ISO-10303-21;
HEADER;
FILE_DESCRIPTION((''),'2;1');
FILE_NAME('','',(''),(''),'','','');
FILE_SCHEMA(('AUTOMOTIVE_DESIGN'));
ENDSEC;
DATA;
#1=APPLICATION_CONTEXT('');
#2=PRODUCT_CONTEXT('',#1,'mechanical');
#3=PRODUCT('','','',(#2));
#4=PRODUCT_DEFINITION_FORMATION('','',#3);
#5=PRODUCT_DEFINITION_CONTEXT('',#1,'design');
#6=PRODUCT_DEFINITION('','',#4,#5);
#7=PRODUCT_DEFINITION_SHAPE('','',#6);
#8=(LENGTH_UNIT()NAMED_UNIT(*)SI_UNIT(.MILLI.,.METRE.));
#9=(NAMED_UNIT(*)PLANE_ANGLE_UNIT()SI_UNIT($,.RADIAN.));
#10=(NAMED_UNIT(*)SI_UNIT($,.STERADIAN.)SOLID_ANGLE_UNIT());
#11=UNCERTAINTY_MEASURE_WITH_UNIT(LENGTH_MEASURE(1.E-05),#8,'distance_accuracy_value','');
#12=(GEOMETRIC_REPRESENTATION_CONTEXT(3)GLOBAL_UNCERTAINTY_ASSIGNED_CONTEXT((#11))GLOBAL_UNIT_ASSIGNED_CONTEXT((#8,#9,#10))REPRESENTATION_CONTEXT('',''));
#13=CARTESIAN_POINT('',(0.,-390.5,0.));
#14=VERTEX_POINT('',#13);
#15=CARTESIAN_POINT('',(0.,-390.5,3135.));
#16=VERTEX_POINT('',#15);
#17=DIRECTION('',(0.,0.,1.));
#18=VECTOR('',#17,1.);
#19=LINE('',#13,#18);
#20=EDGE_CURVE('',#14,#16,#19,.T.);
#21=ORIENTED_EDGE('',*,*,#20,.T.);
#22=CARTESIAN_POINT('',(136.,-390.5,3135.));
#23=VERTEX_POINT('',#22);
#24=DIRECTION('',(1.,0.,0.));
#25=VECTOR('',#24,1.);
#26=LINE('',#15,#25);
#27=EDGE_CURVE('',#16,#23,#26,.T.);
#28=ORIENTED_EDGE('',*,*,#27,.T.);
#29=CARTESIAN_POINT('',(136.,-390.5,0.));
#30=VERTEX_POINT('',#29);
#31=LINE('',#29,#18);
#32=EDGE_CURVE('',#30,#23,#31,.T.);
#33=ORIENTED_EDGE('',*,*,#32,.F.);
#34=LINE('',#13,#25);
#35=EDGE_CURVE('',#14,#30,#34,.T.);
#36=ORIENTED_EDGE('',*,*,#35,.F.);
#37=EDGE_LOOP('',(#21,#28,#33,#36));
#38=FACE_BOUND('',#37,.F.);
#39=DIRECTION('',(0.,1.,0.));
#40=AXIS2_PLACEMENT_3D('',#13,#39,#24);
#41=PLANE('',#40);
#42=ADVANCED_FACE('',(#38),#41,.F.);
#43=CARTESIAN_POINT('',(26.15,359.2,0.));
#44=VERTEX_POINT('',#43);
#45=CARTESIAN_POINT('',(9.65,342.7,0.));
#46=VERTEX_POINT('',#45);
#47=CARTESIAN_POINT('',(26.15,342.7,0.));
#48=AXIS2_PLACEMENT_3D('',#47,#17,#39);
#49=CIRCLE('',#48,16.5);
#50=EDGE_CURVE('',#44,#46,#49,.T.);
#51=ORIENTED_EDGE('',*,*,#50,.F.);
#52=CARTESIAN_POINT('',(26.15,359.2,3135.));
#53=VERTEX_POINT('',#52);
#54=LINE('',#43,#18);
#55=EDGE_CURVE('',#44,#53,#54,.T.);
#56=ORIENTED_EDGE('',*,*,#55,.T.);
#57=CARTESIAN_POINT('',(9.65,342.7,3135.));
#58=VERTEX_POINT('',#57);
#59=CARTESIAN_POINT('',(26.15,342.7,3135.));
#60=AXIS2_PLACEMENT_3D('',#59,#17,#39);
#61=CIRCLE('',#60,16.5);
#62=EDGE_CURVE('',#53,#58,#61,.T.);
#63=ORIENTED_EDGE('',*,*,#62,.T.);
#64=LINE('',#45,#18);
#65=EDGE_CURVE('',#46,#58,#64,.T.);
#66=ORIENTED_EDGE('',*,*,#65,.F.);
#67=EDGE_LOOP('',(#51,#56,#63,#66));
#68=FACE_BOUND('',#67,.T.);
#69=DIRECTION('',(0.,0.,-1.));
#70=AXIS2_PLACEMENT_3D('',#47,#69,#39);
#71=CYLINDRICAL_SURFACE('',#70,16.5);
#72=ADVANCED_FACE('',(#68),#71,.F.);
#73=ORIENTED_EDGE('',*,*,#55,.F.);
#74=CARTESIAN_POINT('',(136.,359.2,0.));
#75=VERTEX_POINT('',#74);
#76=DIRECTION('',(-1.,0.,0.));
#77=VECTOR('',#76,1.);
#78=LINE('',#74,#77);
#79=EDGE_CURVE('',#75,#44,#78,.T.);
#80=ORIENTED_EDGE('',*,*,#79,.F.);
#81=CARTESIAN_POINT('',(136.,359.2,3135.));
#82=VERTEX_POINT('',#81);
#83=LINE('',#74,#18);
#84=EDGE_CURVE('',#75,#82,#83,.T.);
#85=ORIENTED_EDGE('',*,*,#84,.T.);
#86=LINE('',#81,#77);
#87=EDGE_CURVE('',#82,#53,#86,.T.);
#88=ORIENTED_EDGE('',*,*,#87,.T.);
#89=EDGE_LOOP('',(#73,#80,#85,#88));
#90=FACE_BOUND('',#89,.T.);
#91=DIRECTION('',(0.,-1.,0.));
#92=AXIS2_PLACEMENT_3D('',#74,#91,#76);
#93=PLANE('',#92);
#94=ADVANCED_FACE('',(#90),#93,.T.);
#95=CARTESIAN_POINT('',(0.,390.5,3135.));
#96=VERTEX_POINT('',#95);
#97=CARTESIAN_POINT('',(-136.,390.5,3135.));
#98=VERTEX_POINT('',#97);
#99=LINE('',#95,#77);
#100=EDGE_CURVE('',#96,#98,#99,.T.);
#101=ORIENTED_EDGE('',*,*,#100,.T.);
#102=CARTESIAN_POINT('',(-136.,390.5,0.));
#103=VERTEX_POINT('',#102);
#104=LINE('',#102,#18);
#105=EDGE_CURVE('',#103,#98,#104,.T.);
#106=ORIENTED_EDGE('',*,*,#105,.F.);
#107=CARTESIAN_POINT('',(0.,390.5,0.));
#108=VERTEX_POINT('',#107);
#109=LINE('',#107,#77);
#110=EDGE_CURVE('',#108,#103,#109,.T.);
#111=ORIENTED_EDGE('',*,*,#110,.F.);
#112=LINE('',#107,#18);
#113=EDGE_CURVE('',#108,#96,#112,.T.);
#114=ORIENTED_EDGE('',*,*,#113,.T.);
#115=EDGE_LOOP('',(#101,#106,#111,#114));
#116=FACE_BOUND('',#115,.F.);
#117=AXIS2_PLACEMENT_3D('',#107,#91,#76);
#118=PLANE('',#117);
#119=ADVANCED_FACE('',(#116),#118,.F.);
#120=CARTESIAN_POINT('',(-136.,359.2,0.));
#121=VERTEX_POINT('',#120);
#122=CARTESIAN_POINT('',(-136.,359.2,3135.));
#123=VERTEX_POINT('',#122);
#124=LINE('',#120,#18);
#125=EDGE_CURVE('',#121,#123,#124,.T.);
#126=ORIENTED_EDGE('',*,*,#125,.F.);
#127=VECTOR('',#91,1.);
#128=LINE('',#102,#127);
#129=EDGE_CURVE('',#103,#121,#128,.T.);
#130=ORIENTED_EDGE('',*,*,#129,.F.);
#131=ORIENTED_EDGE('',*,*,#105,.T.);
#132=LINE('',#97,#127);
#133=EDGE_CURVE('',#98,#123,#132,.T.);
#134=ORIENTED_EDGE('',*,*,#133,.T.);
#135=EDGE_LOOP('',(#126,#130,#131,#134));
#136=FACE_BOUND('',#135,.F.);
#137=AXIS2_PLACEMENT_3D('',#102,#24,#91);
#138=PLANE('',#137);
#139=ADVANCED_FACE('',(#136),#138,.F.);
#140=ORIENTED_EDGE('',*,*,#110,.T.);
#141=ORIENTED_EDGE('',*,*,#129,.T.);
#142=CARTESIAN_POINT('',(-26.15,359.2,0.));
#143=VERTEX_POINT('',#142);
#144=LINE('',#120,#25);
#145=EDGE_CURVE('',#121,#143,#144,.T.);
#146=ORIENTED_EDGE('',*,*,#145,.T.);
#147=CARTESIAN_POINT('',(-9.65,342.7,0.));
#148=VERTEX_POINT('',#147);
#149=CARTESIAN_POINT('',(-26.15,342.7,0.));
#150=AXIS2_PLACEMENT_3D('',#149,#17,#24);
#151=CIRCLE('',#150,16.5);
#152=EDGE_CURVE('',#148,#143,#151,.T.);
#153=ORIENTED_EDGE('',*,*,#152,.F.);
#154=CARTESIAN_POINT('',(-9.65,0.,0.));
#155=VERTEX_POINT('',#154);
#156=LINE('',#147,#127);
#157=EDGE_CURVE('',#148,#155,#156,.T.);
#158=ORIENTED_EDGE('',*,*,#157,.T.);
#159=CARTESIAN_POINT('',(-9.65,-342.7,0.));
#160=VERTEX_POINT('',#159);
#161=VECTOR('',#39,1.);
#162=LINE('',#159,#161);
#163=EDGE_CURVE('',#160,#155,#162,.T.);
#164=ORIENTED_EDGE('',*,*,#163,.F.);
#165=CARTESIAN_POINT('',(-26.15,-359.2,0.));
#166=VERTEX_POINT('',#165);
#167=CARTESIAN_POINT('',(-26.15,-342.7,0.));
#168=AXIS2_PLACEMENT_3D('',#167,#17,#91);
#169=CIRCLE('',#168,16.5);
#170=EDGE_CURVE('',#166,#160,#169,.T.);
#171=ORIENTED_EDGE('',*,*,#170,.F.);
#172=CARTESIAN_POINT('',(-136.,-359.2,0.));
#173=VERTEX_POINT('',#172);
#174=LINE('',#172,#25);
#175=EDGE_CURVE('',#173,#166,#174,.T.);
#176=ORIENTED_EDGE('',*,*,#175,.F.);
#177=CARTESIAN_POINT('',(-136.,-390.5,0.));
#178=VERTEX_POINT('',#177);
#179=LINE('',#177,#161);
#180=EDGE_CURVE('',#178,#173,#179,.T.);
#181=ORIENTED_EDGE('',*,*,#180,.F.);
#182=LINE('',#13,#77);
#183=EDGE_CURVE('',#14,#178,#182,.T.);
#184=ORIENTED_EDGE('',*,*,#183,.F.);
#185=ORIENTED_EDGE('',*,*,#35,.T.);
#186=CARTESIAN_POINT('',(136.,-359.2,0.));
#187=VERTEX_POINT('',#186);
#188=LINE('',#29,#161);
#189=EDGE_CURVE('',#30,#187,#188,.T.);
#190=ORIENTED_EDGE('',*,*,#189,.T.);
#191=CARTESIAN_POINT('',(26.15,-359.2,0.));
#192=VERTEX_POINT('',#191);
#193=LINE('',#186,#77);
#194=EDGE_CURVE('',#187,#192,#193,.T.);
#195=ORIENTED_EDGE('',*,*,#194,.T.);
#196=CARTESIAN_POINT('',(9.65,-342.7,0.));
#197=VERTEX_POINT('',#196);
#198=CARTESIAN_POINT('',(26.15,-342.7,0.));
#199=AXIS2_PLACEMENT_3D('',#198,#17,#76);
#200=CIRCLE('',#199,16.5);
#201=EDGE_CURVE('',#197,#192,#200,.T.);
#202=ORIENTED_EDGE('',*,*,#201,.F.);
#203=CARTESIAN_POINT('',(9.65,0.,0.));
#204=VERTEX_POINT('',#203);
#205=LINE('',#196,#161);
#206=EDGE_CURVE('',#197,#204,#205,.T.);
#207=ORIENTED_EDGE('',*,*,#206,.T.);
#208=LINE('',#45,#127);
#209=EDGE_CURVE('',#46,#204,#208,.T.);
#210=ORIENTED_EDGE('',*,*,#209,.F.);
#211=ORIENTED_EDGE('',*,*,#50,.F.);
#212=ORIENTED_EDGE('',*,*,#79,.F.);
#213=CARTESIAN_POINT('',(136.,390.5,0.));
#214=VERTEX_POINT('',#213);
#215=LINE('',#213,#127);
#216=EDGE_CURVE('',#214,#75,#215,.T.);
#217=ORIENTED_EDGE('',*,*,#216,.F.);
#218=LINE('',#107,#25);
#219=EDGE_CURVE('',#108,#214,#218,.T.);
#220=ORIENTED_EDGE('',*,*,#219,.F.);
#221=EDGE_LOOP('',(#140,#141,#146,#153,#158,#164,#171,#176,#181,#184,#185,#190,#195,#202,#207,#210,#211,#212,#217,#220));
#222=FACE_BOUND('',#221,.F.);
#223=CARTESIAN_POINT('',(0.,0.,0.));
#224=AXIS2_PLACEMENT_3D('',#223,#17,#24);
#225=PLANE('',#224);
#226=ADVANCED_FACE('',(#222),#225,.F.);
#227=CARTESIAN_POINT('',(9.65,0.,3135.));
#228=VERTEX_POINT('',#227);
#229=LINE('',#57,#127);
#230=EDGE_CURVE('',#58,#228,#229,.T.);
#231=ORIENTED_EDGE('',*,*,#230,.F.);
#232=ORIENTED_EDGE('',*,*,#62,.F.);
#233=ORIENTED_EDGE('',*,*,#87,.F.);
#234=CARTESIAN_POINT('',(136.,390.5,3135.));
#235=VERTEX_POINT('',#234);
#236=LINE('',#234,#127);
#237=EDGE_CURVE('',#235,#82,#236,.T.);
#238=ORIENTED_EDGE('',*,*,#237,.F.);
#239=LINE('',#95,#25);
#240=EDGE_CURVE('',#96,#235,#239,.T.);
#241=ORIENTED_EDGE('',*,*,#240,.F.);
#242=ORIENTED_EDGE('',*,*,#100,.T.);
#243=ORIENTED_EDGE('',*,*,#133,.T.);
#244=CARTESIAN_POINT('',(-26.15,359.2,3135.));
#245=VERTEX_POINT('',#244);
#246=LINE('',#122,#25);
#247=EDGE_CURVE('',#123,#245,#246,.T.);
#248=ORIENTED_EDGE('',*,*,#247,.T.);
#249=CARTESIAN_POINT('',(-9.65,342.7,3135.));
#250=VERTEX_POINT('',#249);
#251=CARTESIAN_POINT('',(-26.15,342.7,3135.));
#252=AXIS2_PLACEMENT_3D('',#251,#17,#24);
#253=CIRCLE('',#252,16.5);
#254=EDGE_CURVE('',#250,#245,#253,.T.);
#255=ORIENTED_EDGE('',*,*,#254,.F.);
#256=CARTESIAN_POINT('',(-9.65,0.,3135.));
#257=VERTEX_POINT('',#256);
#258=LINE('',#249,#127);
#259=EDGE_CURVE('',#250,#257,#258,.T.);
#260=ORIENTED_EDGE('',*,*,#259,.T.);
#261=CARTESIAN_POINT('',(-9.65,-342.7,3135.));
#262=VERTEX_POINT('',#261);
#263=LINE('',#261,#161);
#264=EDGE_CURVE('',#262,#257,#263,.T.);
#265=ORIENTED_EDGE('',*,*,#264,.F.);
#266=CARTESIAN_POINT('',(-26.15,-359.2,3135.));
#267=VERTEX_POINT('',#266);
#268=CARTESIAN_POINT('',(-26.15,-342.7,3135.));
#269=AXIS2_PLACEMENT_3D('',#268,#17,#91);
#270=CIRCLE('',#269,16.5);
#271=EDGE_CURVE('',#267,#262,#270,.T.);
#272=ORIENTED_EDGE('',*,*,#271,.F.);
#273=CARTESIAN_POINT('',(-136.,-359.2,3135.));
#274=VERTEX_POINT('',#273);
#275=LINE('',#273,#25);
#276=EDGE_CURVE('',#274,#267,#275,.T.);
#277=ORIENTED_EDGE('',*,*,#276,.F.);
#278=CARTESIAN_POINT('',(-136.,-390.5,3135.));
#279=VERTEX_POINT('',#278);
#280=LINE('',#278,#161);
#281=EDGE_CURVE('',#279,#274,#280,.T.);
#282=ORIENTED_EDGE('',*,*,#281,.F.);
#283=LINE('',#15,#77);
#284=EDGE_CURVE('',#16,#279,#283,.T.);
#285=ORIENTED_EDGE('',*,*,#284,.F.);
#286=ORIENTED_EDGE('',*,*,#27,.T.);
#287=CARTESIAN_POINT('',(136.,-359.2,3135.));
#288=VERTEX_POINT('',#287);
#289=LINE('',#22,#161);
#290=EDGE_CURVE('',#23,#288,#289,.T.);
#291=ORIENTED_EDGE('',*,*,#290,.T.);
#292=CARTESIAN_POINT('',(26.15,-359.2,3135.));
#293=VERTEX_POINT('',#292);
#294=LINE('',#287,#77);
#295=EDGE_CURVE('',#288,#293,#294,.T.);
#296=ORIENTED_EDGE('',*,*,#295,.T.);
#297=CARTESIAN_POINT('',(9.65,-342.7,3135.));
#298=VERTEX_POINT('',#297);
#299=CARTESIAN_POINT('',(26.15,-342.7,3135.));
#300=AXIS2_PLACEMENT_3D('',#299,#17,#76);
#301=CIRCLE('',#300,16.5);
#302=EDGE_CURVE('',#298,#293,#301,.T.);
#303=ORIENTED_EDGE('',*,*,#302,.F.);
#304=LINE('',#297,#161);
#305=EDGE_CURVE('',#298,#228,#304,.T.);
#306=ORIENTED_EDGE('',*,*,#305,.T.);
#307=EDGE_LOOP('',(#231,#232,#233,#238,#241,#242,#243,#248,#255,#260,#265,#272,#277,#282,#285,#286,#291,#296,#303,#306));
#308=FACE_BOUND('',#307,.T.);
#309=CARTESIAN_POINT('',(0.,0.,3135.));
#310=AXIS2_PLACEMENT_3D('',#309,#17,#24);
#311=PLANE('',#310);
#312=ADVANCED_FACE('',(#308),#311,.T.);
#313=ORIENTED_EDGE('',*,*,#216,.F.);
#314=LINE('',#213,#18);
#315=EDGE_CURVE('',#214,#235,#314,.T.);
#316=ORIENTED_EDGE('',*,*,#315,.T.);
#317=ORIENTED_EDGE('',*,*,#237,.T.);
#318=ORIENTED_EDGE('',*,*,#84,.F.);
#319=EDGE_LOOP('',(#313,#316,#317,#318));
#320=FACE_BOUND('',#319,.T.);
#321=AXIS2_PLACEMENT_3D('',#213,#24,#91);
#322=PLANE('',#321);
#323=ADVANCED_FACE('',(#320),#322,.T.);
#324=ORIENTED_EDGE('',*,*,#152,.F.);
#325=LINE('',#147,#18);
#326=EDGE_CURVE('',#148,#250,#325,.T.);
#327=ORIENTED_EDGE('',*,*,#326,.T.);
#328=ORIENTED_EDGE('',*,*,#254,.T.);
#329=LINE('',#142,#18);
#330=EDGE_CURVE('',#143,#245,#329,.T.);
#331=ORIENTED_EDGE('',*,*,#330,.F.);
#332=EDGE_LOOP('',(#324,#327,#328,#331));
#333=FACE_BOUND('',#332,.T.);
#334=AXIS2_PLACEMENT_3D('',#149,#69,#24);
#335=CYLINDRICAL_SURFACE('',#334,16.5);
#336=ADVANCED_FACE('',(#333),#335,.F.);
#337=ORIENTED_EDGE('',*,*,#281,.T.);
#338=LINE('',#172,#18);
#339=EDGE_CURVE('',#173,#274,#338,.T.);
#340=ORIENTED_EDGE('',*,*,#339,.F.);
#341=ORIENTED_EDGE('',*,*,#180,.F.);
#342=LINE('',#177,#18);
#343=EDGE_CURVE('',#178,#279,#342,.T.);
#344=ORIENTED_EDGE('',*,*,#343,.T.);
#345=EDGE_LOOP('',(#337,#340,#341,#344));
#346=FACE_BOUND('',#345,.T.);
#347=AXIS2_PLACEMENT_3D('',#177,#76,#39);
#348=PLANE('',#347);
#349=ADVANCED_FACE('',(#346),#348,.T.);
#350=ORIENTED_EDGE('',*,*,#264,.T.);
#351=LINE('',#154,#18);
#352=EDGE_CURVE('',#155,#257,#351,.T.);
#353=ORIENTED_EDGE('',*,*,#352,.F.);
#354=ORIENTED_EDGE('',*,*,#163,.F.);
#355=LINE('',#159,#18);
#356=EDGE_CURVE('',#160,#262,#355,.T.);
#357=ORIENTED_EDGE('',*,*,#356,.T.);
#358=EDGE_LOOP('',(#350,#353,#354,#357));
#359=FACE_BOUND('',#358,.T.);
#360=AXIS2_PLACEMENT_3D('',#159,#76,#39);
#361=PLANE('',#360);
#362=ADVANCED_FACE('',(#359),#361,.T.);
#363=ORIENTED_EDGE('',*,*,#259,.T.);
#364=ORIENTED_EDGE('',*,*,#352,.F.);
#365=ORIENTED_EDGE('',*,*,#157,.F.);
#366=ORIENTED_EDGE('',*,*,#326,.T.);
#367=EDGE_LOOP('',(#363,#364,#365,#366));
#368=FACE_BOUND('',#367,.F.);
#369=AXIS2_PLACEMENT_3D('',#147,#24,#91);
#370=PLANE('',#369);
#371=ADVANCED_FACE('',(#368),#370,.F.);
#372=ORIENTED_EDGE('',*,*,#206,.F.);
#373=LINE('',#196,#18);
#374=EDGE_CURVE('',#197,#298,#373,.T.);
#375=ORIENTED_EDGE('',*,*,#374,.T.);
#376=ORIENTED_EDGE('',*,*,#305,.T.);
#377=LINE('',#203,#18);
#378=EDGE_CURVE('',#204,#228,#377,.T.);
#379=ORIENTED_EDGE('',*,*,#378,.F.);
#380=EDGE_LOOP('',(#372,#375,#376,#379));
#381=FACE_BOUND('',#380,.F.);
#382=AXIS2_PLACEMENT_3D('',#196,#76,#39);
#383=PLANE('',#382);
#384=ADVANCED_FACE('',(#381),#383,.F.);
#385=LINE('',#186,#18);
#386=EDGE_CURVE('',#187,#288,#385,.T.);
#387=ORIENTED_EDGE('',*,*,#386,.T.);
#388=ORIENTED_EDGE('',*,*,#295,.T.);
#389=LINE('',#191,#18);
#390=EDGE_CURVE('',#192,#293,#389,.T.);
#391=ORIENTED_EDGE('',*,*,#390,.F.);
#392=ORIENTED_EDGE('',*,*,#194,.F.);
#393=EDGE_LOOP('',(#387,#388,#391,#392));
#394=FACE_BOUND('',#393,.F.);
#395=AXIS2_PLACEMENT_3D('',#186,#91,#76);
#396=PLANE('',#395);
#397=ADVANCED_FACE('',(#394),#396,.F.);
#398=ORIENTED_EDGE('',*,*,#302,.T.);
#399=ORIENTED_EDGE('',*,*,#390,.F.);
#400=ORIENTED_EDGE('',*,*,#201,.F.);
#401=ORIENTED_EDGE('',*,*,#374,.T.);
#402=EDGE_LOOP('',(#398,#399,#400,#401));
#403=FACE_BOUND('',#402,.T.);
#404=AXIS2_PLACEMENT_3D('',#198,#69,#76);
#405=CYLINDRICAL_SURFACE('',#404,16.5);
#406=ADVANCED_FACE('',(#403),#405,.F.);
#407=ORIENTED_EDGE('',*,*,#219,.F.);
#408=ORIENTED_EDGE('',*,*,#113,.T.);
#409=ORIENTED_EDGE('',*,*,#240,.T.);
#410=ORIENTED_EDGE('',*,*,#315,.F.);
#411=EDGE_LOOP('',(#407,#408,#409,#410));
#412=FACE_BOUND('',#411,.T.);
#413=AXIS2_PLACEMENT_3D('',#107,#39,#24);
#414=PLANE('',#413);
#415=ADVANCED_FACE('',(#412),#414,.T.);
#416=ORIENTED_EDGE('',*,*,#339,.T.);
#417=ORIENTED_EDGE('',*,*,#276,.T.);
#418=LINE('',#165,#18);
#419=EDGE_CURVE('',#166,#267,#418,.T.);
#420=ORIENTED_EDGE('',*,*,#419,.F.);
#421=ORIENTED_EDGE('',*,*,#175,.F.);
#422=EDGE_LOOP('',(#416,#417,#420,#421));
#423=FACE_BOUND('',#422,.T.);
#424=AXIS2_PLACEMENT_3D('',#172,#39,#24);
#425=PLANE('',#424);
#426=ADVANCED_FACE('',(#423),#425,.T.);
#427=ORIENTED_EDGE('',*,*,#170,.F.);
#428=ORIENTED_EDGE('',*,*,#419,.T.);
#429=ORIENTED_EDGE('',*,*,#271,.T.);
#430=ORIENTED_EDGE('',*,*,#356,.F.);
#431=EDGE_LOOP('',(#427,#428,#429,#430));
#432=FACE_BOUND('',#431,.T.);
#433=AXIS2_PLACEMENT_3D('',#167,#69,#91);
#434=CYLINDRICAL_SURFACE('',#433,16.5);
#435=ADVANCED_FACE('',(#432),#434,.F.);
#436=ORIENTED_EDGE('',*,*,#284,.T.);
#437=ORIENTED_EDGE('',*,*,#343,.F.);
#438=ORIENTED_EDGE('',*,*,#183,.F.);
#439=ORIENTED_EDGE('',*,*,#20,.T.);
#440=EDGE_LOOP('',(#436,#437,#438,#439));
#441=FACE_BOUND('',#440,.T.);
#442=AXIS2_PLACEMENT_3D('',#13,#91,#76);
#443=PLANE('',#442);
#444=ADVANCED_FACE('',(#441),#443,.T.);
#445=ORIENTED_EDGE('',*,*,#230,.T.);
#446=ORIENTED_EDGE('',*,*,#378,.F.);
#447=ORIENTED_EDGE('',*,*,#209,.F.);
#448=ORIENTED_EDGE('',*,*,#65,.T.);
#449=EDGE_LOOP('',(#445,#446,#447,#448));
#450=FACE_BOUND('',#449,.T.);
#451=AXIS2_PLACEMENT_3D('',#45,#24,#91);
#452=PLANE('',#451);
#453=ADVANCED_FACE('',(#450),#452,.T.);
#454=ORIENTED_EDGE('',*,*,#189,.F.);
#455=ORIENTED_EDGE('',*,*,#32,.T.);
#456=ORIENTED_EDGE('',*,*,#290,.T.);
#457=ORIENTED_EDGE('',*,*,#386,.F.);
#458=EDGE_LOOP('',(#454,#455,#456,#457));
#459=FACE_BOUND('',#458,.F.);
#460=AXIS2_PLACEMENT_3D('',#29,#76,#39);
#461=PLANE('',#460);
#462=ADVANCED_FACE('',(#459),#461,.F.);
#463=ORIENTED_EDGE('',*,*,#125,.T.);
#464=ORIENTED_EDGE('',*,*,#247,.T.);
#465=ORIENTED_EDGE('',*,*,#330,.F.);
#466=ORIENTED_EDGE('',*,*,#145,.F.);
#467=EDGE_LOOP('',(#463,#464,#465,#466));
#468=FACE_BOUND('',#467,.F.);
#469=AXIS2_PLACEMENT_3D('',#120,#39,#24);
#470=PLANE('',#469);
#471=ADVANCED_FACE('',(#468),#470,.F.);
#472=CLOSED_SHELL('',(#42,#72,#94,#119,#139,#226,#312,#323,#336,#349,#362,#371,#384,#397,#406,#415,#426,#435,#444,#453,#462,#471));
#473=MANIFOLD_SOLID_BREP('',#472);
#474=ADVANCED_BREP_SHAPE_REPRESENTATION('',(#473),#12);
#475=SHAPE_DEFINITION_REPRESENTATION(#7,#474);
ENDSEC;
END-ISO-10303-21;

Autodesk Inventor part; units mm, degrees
ref_plane "YZ Plane" through (0, 0, 0) normal (1, 0, 0) x (0, 1, 0)
ref_plane "Start plane" through (0, 0, 0) normal (0, 0, 1) x (1, 0, 0)
ref_plane "End plane" through (0, 0, 3135) normal (0, 0, 1) x (1, 0, 0)
sketch "Sketch" plane through (0, 0, 0) normal (0, 0, 1) x (1, 0, 0)
  line L0 (-136, -390.5) -> (-136, -359.2)
  line L1 (-136, -359.2) -> (-26.15, -359.2)
  line L2 (-9.65, -342.7) -> (-9.65, 0)
  line L3 (-9.65, 0) -> (0, 0) construction
  line L4 (0, 0) -> (0, -390.5) construction
  line L5 (0, -390.5) -> (-136, -390.5)
  line L6 (-60, 0) -> (80, 0) construction
  line L7 (0, -60) -> (0, 80) construction
  line L8 (136, -390.5) -> (136, -359.2)
  line L9 (136, -359.2) -> (26.15, -359.2)
  line L10 (9.65, -342.7) -> (9.65, 0)
  line L11 (9.65, 0) -> (0, 0) construction
  line L12 (0, -390.5) -> (136, -390.5)
  line L13 (-136, 390.5) -> (-136, 359.2)
  line L14 (-136, 359.2) -> (-26.15, 359.2)
  line L15 (-9.65, 342.7) -> (-9.65, 0)
  line L16 (0, 390.5) -> (-136, 390.5)
  line L17 (136, 390.5) -> (136, 359.2)
  line L18 (136, 359.2) -> (26.15, 359.2)
  line L19 (0, 390.5) -> (136, 390.5)
  line L20 (9.65, 342.7) -> (9.65, 0)
  arc A0 (-9.65, 342.7) -> (-26.15, 359.2) centre (-26.15, 342.7) ccw
  arc A1 (26.15, 359.2) -> (9.65, 342.7) centre (26.15, 342.7) ccw
  arc A2 (9.65, -342.7) -> (26.15, -359.2) centre (26.15, -342.7) ccw
  arc A3 (-26.15, -359.2) -> (-9.65, -342.7) centre (-26.15, -342.7) ccw
  line L21 (0, 108) -> (0, -88) construction
  line L22 (-88, 0) -> (108, 0) construction
  point P0 (-9.65, -359.2)
  point P1 (9.65, -359.2)
  point P2 (-9.65, 359.2)
  point P3 (9.65, 359.2)
  dimension "d1" = 390.5
  dimension "d2" = 31.3
  dimension "d3" = 136
  dimension "d4" = 9.65
  dimension "d10" = 16.5
extrude "Body" add sketch "Sketch" along normal up to surface (3135 mm away) from surface at 0
sketch "Sketch4" plane through (0, 0, 0) normal (0, 0, 1) x (1, 0, 0)
  line L0 (0, 0) -> (10, 0)
ref_plane "Work Plane3" through (0, 0, 0) normal (0, -1, 0) x (1, 0, 0)
sketch "Sketch5" plane through (0, 0, 0) normal (0, -1, 0) x (1, 0, 0)
  line L0 (-2, 0) -> (12, 0) projected
  line L1 (-2, 3135) -> (12, 3135) projected
  dimension "d14" = 3135
equation "\"d1\" = 0.5 * G_H"
equation "\"d2\" = G_T1"
equation "\"d3\" = 0.5 * G_W"
equation "\"d4\" = 0.5 * G_T"
equation "\"d10\" = G_IR"
equation "\"d5\" = G_L"
equation "\"G_W\" = 272"
equation "\"G_H\" = 781"
equation "\"G_T\" = 19.3"
equation "\"G_T1\" = 31.3"
equation "\"G_IR\" = 16.5"
equation "\"G_L\" = d14"
equation "\"G_OFFSET_START\" = 0"
equation "\"G_OFFSET_END\" = 0"
equation "\"d12\" = G_OFFSET_END + B_L"
equation "\"B_L\" = 3135"
properties part number "AS 3679-1990 - 760 UB - 244 - 3135" material "Steel, Mild"
